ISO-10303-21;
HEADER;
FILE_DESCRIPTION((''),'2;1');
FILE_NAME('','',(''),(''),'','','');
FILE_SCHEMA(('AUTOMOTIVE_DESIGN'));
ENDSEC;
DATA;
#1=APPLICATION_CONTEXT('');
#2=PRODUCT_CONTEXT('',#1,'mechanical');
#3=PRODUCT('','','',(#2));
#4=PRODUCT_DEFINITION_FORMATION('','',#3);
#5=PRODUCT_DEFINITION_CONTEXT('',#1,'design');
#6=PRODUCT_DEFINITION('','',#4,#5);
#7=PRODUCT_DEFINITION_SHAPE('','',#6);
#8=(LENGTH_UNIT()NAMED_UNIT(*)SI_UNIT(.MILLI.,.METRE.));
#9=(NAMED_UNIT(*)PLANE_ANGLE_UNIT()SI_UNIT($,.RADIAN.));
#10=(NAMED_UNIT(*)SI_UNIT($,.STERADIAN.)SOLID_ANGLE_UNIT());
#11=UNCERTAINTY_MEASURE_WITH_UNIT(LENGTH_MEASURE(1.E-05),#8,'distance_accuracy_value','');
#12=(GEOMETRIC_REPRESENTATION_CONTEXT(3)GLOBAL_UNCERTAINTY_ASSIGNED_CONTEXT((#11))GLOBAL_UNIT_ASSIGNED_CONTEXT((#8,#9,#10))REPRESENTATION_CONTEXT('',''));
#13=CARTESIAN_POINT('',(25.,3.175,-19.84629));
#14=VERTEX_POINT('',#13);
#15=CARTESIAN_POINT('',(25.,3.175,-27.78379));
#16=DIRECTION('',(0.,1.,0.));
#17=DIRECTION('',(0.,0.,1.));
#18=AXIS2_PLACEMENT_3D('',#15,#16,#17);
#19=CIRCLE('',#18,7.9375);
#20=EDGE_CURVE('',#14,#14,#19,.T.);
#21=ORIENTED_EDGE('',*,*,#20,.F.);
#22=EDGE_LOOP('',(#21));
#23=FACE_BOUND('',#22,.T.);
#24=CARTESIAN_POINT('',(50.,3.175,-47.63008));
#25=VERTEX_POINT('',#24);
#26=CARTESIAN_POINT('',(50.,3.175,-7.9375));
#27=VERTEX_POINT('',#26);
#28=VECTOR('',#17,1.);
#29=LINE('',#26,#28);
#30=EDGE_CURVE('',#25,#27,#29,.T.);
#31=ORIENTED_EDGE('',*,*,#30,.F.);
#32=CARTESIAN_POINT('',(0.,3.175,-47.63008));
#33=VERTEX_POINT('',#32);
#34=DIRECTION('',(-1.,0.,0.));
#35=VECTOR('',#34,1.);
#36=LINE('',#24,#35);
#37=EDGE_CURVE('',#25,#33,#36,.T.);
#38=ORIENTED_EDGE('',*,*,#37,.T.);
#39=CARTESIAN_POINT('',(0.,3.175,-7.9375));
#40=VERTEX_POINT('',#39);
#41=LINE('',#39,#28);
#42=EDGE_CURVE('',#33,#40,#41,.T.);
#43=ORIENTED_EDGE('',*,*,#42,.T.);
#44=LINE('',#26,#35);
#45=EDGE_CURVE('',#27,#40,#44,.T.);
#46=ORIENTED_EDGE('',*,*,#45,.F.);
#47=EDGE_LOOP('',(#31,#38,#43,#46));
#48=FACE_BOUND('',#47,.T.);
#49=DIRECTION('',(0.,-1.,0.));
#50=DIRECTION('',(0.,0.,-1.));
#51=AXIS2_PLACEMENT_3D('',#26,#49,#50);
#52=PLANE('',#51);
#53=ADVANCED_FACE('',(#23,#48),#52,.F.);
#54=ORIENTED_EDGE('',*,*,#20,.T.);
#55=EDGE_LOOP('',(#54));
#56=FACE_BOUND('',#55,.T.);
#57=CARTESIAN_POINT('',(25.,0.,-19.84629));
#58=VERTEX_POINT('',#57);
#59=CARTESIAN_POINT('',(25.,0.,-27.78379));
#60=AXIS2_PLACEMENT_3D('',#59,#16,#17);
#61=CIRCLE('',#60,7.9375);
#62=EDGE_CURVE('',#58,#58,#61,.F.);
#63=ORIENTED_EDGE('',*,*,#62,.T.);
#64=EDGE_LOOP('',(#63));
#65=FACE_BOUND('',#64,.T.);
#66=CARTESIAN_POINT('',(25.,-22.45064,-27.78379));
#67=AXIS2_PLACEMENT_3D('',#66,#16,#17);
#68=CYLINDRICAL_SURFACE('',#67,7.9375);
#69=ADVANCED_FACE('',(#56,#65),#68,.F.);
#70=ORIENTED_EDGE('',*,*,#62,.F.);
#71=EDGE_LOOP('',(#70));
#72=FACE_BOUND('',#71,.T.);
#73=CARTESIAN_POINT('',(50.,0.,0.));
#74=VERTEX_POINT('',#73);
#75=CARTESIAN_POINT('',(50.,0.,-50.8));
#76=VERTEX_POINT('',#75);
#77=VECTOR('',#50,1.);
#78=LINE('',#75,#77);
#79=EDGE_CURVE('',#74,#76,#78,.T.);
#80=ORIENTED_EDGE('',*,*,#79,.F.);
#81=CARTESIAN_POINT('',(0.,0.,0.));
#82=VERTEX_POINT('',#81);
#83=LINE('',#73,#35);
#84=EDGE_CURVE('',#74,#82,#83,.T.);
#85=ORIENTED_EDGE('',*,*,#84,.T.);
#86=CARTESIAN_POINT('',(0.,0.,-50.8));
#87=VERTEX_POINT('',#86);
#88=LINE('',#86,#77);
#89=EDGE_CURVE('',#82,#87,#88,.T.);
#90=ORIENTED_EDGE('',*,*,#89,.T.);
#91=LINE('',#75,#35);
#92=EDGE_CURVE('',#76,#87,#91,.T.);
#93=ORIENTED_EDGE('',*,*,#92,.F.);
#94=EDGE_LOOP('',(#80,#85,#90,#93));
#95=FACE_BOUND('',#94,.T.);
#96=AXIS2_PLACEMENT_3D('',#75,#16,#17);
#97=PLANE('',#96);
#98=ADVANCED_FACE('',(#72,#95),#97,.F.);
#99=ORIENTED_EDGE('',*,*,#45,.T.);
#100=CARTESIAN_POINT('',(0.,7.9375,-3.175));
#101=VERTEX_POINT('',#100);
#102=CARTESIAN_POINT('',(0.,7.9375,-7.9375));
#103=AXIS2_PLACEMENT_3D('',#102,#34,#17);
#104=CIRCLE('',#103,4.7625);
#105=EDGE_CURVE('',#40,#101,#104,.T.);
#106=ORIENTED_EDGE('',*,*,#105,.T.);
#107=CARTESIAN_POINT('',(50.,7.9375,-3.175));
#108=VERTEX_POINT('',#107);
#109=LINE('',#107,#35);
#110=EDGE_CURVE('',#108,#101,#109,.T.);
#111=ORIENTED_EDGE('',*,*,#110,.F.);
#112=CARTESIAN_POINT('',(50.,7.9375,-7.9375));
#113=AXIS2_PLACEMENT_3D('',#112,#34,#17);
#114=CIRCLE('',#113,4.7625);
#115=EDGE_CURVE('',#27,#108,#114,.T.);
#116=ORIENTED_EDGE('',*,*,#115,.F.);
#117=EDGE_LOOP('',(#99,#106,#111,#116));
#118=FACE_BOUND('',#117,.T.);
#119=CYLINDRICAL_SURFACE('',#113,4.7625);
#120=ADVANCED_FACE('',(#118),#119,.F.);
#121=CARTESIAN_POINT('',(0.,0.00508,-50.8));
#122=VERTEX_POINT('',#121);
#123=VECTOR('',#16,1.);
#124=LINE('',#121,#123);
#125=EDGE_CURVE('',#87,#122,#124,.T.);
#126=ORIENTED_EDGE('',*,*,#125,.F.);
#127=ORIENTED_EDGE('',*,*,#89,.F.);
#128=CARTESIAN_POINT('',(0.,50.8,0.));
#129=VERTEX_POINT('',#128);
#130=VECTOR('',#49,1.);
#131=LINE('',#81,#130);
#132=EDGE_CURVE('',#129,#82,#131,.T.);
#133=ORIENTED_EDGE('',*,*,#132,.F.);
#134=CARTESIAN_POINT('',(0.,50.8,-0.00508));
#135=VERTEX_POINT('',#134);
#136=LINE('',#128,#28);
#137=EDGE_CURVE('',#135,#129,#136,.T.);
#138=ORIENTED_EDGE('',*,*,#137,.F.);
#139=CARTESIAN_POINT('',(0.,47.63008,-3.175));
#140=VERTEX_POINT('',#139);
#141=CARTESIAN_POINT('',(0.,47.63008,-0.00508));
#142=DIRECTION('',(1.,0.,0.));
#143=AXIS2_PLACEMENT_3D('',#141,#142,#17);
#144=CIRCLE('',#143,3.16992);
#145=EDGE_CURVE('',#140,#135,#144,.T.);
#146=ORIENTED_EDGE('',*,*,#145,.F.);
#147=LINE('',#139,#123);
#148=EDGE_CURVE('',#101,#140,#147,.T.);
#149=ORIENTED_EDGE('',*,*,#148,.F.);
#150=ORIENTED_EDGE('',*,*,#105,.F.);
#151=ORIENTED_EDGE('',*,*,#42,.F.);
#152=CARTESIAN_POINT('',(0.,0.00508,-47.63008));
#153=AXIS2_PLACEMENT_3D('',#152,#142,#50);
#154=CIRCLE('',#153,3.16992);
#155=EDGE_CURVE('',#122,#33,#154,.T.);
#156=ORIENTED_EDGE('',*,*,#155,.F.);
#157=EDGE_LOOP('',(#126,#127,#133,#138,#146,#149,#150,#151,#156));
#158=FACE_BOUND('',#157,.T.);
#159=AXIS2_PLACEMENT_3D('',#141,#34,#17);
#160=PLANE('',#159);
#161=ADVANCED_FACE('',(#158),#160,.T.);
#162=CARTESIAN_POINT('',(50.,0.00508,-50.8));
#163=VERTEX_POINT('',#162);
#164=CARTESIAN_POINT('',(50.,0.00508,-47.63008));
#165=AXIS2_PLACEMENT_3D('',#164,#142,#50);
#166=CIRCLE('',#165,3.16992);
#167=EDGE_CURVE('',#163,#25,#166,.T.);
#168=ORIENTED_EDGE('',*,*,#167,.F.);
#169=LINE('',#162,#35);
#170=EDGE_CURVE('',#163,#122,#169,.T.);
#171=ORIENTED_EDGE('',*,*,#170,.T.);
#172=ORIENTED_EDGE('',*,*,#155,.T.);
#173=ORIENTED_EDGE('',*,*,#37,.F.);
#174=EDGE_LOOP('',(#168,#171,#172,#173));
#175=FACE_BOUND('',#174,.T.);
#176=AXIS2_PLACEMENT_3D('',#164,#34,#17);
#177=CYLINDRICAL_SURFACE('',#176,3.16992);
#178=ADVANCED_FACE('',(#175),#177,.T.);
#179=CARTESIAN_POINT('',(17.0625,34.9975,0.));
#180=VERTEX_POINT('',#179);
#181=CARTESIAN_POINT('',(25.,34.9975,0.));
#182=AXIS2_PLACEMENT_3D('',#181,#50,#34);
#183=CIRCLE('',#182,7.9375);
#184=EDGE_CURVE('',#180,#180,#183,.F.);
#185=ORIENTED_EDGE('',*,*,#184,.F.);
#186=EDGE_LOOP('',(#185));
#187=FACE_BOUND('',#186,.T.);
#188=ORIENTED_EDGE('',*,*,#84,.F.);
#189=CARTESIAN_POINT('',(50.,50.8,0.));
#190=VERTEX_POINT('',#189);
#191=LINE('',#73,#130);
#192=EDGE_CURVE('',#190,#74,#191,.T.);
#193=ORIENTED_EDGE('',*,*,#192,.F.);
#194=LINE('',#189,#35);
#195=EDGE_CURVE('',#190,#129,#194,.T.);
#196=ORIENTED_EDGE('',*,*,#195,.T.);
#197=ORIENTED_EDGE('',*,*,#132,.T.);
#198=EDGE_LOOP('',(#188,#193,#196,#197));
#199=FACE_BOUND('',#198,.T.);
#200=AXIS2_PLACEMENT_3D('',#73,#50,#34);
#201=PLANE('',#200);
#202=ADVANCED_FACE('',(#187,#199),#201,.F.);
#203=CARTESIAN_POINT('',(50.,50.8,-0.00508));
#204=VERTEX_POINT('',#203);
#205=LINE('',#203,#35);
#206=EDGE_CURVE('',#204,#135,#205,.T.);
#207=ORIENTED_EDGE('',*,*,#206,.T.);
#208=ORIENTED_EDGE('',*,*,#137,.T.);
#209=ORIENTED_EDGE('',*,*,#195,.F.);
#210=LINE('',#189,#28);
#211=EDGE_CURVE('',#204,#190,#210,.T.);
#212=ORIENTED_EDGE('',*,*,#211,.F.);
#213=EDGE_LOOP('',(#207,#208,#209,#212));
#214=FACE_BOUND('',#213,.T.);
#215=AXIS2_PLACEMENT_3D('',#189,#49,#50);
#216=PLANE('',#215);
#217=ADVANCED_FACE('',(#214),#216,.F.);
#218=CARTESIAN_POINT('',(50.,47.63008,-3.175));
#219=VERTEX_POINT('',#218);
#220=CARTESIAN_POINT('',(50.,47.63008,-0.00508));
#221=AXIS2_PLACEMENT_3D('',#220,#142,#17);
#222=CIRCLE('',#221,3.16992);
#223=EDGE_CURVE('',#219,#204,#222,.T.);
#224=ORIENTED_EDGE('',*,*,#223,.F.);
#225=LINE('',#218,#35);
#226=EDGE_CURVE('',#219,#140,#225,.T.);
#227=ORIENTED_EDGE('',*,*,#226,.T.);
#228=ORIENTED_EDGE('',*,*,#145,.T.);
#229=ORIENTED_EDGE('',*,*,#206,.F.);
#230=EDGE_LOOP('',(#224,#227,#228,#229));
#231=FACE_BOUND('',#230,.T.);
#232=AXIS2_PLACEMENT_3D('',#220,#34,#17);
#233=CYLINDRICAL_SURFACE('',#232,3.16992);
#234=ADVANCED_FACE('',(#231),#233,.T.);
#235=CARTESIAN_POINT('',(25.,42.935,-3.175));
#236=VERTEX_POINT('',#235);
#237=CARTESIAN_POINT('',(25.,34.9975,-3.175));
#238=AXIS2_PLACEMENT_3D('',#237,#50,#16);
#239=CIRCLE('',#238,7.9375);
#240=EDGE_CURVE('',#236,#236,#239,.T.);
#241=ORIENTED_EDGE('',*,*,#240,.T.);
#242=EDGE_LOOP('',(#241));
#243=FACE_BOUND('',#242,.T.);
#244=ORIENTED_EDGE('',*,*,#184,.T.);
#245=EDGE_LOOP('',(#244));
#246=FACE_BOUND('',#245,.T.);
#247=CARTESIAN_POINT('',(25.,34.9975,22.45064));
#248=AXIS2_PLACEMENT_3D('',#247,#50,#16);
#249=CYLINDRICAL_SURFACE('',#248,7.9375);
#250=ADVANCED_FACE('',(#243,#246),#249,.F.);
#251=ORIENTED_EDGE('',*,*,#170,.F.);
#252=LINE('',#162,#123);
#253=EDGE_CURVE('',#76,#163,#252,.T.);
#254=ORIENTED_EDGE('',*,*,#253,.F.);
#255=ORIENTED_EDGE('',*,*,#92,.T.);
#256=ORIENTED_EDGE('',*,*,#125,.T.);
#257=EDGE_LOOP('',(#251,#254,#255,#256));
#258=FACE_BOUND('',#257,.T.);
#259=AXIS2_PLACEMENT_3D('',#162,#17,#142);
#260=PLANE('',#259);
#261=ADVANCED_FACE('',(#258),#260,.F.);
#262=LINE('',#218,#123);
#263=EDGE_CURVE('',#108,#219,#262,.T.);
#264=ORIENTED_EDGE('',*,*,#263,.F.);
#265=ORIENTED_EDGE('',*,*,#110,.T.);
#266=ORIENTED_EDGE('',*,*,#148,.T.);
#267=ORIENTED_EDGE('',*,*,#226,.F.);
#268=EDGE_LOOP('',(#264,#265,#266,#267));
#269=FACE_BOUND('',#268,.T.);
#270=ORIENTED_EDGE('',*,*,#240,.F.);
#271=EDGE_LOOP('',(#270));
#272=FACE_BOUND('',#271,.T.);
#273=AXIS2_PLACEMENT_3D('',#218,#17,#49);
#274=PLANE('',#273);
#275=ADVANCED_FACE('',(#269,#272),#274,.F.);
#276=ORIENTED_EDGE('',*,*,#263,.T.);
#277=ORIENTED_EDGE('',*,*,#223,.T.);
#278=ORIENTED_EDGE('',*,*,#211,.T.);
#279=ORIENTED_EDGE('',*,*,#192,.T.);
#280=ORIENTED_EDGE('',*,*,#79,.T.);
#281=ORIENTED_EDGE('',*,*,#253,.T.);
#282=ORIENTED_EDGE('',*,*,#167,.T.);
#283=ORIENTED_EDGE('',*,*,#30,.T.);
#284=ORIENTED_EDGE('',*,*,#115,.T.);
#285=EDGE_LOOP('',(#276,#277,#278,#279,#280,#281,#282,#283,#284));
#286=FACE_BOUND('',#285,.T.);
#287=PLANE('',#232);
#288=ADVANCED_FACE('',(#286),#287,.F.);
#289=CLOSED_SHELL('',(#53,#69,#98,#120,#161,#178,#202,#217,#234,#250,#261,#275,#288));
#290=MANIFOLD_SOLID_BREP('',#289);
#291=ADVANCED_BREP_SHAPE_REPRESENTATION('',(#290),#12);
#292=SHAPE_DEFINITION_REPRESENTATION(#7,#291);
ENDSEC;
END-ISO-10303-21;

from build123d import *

# Parameters (mm, degrees)
ANGLE_IRON_2_X_2_X_0_125_1_DEPTH = 50
SKETCH4_R                        = 7.9375
CUT_EXTRUDE1_DEPTH               = 3.175
SKETCH3_R                        = 7.9375
CUT_EXTRUDE2_DEPTH               = 3.175


with BuildPart() as part:
    # Sketch1 → Angle iron 2 X 2 X 0.125(1) (new body)
    with BuildSketch(Plane(origin=(0, 0, 0), x_dir=(0, 0, -1), z_dir=(1, 0, 0))):
        with BuildLine():
            Line((0, 0), (0, 50.8))
            Line((0, 50.8), (0.00508, 50.8))
            ThreePointArc((0.00508, 50.8), (2.246551928, 49.871551928), (3.175, 47.63008))
            Line((3.175, 47.63008), (3.175, 7.9375))
            ThreePointArc((3.175, 7.9375), (4.569903955, 4.569903955), (7.9375, 3.175))
            Line((7.9375, 3.175), (47.63008, 3.175))
            ThreePointArc((47.63008, 3.175), (49.871551928, 2.246551928), (50.8, 0.00508))
            Line((50.8, 0.00508), (50.8, 0))
            Line((50.8, 0), (0, 0))
        make_face()
    extrude(amount=ANGLE_IRON_2_X_2_X_0_125_1_DEPTH)

    # Sketch4 → Cut-Extrude1 (cut)
    with BuildSketch(Plane(origin=(0, 3.175, 0), x_dir=(1, 0, 0), z_dir=(0, 1, 0))):
        with Locations(Location((25, 27.78379, 0), (0, 0, 270))):
            Circle(SKETCH4_R)
    extrude(amount=-CUT_EXTRUDE1_DEPTH, mode=Mode.SUBTRACT)

    # Sketch3 → Cut-Extrude2 (cut)
    with BuildSketch(Plane(origin=(0, 0, -3.175), x_dir=(-1, 0, 0), z_dir=(0, 0, -1))):
        with Locations(Location((-25, 34.9975, 0), (0, 0, 90))):
            Circle(SKETCH3_R)
    extrude(amount=-CUT_EXTRUDE2_DEPTH, mode=Mode.SUBTRACT)


solid = part.part
